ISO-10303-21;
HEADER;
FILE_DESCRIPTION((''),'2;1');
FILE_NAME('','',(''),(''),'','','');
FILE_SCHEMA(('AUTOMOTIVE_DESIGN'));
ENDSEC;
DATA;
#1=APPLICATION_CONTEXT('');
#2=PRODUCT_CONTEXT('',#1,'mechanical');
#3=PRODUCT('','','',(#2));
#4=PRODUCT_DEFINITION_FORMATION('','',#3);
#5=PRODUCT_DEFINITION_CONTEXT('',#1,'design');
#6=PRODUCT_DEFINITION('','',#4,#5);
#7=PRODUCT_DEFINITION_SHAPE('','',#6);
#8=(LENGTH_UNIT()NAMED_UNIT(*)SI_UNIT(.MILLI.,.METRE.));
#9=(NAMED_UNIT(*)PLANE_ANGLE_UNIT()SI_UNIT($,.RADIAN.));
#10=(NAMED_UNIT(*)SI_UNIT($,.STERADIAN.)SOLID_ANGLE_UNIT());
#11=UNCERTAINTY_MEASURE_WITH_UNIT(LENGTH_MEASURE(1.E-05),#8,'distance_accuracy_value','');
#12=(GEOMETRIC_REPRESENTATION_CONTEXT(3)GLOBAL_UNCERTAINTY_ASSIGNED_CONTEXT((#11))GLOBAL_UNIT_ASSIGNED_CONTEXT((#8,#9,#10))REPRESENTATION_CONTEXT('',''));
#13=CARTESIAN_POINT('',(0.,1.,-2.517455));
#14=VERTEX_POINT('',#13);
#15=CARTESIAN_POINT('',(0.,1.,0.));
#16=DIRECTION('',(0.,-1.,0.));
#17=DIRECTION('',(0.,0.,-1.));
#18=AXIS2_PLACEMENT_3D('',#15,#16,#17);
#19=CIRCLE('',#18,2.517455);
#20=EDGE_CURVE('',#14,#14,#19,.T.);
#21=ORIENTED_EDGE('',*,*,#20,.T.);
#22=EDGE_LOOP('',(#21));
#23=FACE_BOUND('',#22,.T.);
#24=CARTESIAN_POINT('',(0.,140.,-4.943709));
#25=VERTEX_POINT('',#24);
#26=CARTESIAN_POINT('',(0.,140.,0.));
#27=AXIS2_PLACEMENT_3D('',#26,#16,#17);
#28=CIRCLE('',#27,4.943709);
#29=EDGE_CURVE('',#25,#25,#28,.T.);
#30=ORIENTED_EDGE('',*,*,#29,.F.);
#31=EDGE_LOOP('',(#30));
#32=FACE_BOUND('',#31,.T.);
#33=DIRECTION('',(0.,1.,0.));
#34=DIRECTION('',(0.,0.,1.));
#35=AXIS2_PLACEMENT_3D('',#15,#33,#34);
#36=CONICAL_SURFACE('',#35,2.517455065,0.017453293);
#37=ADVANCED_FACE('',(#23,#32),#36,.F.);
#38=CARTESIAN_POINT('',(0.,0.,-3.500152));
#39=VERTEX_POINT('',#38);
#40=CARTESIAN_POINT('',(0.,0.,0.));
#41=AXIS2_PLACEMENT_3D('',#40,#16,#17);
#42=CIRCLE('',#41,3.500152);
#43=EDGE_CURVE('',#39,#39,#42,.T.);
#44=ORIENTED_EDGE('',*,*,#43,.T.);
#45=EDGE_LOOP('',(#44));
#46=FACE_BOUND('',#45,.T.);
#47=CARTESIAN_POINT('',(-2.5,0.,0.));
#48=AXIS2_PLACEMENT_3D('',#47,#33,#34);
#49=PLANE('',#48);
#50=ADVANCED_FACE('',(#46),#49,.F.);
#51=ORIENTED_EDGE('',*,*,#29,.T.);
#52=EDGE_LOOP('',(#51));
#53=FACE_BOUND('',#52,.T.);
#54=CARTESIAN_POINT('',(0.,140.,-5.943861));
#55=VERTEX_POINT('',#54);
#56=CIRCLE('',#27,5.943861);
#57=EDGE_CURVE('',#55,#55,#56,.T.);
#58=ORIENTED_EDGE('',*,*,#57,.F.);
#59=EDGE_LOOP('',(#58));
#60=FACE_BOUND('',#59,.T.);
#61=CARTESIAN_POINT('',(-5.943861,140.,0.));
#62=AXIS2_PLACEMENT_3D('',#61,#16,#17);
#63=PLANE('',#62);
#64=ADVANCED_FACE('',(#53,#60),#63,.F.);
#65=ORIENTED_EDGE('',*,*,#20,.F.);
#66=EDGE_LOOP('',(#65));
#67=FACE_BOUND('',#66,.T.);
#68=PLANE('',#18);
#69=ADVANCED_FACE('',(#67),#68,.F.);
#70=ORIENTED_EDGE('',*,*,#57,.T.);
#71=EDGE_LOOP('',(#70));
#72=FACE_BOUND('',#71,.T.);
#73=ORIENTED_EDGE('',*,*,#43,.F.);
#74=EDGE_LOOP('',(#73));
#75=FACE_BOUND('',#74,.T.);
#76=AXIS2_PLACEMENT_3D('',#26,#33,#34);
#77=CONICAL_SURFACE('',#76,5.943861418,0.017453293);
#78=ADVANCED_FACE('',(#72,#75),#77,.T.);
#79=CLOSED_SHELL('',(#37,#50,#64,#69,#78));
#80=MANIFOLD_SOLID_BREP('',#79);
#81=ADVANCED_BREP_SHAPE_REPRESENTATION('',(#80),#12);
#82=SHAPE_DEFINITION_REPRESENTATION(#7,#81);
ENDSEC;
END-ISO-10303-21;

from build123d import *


with BuildPart() as part:
    # Sketch1 → Revolve2 (revolve)
    with BuildSketch(Plane.XY, mode=Mode.PRIVATE) as revolve2_sk:
        Polygon((-2.517455065, 1), (-4.94370909, 140), (-5.943861418, 140), (-3.500152328, 0), (-2.5, 0), (0, 0), (0, 1), align=None)
    revolve(revolve2_sk.sketch.rotate(Axis((0, 0, 0), (0, 1, 0)), 270), axis=Axis((0, 0, 0), (0, 1, 0)))


solid = part.part
